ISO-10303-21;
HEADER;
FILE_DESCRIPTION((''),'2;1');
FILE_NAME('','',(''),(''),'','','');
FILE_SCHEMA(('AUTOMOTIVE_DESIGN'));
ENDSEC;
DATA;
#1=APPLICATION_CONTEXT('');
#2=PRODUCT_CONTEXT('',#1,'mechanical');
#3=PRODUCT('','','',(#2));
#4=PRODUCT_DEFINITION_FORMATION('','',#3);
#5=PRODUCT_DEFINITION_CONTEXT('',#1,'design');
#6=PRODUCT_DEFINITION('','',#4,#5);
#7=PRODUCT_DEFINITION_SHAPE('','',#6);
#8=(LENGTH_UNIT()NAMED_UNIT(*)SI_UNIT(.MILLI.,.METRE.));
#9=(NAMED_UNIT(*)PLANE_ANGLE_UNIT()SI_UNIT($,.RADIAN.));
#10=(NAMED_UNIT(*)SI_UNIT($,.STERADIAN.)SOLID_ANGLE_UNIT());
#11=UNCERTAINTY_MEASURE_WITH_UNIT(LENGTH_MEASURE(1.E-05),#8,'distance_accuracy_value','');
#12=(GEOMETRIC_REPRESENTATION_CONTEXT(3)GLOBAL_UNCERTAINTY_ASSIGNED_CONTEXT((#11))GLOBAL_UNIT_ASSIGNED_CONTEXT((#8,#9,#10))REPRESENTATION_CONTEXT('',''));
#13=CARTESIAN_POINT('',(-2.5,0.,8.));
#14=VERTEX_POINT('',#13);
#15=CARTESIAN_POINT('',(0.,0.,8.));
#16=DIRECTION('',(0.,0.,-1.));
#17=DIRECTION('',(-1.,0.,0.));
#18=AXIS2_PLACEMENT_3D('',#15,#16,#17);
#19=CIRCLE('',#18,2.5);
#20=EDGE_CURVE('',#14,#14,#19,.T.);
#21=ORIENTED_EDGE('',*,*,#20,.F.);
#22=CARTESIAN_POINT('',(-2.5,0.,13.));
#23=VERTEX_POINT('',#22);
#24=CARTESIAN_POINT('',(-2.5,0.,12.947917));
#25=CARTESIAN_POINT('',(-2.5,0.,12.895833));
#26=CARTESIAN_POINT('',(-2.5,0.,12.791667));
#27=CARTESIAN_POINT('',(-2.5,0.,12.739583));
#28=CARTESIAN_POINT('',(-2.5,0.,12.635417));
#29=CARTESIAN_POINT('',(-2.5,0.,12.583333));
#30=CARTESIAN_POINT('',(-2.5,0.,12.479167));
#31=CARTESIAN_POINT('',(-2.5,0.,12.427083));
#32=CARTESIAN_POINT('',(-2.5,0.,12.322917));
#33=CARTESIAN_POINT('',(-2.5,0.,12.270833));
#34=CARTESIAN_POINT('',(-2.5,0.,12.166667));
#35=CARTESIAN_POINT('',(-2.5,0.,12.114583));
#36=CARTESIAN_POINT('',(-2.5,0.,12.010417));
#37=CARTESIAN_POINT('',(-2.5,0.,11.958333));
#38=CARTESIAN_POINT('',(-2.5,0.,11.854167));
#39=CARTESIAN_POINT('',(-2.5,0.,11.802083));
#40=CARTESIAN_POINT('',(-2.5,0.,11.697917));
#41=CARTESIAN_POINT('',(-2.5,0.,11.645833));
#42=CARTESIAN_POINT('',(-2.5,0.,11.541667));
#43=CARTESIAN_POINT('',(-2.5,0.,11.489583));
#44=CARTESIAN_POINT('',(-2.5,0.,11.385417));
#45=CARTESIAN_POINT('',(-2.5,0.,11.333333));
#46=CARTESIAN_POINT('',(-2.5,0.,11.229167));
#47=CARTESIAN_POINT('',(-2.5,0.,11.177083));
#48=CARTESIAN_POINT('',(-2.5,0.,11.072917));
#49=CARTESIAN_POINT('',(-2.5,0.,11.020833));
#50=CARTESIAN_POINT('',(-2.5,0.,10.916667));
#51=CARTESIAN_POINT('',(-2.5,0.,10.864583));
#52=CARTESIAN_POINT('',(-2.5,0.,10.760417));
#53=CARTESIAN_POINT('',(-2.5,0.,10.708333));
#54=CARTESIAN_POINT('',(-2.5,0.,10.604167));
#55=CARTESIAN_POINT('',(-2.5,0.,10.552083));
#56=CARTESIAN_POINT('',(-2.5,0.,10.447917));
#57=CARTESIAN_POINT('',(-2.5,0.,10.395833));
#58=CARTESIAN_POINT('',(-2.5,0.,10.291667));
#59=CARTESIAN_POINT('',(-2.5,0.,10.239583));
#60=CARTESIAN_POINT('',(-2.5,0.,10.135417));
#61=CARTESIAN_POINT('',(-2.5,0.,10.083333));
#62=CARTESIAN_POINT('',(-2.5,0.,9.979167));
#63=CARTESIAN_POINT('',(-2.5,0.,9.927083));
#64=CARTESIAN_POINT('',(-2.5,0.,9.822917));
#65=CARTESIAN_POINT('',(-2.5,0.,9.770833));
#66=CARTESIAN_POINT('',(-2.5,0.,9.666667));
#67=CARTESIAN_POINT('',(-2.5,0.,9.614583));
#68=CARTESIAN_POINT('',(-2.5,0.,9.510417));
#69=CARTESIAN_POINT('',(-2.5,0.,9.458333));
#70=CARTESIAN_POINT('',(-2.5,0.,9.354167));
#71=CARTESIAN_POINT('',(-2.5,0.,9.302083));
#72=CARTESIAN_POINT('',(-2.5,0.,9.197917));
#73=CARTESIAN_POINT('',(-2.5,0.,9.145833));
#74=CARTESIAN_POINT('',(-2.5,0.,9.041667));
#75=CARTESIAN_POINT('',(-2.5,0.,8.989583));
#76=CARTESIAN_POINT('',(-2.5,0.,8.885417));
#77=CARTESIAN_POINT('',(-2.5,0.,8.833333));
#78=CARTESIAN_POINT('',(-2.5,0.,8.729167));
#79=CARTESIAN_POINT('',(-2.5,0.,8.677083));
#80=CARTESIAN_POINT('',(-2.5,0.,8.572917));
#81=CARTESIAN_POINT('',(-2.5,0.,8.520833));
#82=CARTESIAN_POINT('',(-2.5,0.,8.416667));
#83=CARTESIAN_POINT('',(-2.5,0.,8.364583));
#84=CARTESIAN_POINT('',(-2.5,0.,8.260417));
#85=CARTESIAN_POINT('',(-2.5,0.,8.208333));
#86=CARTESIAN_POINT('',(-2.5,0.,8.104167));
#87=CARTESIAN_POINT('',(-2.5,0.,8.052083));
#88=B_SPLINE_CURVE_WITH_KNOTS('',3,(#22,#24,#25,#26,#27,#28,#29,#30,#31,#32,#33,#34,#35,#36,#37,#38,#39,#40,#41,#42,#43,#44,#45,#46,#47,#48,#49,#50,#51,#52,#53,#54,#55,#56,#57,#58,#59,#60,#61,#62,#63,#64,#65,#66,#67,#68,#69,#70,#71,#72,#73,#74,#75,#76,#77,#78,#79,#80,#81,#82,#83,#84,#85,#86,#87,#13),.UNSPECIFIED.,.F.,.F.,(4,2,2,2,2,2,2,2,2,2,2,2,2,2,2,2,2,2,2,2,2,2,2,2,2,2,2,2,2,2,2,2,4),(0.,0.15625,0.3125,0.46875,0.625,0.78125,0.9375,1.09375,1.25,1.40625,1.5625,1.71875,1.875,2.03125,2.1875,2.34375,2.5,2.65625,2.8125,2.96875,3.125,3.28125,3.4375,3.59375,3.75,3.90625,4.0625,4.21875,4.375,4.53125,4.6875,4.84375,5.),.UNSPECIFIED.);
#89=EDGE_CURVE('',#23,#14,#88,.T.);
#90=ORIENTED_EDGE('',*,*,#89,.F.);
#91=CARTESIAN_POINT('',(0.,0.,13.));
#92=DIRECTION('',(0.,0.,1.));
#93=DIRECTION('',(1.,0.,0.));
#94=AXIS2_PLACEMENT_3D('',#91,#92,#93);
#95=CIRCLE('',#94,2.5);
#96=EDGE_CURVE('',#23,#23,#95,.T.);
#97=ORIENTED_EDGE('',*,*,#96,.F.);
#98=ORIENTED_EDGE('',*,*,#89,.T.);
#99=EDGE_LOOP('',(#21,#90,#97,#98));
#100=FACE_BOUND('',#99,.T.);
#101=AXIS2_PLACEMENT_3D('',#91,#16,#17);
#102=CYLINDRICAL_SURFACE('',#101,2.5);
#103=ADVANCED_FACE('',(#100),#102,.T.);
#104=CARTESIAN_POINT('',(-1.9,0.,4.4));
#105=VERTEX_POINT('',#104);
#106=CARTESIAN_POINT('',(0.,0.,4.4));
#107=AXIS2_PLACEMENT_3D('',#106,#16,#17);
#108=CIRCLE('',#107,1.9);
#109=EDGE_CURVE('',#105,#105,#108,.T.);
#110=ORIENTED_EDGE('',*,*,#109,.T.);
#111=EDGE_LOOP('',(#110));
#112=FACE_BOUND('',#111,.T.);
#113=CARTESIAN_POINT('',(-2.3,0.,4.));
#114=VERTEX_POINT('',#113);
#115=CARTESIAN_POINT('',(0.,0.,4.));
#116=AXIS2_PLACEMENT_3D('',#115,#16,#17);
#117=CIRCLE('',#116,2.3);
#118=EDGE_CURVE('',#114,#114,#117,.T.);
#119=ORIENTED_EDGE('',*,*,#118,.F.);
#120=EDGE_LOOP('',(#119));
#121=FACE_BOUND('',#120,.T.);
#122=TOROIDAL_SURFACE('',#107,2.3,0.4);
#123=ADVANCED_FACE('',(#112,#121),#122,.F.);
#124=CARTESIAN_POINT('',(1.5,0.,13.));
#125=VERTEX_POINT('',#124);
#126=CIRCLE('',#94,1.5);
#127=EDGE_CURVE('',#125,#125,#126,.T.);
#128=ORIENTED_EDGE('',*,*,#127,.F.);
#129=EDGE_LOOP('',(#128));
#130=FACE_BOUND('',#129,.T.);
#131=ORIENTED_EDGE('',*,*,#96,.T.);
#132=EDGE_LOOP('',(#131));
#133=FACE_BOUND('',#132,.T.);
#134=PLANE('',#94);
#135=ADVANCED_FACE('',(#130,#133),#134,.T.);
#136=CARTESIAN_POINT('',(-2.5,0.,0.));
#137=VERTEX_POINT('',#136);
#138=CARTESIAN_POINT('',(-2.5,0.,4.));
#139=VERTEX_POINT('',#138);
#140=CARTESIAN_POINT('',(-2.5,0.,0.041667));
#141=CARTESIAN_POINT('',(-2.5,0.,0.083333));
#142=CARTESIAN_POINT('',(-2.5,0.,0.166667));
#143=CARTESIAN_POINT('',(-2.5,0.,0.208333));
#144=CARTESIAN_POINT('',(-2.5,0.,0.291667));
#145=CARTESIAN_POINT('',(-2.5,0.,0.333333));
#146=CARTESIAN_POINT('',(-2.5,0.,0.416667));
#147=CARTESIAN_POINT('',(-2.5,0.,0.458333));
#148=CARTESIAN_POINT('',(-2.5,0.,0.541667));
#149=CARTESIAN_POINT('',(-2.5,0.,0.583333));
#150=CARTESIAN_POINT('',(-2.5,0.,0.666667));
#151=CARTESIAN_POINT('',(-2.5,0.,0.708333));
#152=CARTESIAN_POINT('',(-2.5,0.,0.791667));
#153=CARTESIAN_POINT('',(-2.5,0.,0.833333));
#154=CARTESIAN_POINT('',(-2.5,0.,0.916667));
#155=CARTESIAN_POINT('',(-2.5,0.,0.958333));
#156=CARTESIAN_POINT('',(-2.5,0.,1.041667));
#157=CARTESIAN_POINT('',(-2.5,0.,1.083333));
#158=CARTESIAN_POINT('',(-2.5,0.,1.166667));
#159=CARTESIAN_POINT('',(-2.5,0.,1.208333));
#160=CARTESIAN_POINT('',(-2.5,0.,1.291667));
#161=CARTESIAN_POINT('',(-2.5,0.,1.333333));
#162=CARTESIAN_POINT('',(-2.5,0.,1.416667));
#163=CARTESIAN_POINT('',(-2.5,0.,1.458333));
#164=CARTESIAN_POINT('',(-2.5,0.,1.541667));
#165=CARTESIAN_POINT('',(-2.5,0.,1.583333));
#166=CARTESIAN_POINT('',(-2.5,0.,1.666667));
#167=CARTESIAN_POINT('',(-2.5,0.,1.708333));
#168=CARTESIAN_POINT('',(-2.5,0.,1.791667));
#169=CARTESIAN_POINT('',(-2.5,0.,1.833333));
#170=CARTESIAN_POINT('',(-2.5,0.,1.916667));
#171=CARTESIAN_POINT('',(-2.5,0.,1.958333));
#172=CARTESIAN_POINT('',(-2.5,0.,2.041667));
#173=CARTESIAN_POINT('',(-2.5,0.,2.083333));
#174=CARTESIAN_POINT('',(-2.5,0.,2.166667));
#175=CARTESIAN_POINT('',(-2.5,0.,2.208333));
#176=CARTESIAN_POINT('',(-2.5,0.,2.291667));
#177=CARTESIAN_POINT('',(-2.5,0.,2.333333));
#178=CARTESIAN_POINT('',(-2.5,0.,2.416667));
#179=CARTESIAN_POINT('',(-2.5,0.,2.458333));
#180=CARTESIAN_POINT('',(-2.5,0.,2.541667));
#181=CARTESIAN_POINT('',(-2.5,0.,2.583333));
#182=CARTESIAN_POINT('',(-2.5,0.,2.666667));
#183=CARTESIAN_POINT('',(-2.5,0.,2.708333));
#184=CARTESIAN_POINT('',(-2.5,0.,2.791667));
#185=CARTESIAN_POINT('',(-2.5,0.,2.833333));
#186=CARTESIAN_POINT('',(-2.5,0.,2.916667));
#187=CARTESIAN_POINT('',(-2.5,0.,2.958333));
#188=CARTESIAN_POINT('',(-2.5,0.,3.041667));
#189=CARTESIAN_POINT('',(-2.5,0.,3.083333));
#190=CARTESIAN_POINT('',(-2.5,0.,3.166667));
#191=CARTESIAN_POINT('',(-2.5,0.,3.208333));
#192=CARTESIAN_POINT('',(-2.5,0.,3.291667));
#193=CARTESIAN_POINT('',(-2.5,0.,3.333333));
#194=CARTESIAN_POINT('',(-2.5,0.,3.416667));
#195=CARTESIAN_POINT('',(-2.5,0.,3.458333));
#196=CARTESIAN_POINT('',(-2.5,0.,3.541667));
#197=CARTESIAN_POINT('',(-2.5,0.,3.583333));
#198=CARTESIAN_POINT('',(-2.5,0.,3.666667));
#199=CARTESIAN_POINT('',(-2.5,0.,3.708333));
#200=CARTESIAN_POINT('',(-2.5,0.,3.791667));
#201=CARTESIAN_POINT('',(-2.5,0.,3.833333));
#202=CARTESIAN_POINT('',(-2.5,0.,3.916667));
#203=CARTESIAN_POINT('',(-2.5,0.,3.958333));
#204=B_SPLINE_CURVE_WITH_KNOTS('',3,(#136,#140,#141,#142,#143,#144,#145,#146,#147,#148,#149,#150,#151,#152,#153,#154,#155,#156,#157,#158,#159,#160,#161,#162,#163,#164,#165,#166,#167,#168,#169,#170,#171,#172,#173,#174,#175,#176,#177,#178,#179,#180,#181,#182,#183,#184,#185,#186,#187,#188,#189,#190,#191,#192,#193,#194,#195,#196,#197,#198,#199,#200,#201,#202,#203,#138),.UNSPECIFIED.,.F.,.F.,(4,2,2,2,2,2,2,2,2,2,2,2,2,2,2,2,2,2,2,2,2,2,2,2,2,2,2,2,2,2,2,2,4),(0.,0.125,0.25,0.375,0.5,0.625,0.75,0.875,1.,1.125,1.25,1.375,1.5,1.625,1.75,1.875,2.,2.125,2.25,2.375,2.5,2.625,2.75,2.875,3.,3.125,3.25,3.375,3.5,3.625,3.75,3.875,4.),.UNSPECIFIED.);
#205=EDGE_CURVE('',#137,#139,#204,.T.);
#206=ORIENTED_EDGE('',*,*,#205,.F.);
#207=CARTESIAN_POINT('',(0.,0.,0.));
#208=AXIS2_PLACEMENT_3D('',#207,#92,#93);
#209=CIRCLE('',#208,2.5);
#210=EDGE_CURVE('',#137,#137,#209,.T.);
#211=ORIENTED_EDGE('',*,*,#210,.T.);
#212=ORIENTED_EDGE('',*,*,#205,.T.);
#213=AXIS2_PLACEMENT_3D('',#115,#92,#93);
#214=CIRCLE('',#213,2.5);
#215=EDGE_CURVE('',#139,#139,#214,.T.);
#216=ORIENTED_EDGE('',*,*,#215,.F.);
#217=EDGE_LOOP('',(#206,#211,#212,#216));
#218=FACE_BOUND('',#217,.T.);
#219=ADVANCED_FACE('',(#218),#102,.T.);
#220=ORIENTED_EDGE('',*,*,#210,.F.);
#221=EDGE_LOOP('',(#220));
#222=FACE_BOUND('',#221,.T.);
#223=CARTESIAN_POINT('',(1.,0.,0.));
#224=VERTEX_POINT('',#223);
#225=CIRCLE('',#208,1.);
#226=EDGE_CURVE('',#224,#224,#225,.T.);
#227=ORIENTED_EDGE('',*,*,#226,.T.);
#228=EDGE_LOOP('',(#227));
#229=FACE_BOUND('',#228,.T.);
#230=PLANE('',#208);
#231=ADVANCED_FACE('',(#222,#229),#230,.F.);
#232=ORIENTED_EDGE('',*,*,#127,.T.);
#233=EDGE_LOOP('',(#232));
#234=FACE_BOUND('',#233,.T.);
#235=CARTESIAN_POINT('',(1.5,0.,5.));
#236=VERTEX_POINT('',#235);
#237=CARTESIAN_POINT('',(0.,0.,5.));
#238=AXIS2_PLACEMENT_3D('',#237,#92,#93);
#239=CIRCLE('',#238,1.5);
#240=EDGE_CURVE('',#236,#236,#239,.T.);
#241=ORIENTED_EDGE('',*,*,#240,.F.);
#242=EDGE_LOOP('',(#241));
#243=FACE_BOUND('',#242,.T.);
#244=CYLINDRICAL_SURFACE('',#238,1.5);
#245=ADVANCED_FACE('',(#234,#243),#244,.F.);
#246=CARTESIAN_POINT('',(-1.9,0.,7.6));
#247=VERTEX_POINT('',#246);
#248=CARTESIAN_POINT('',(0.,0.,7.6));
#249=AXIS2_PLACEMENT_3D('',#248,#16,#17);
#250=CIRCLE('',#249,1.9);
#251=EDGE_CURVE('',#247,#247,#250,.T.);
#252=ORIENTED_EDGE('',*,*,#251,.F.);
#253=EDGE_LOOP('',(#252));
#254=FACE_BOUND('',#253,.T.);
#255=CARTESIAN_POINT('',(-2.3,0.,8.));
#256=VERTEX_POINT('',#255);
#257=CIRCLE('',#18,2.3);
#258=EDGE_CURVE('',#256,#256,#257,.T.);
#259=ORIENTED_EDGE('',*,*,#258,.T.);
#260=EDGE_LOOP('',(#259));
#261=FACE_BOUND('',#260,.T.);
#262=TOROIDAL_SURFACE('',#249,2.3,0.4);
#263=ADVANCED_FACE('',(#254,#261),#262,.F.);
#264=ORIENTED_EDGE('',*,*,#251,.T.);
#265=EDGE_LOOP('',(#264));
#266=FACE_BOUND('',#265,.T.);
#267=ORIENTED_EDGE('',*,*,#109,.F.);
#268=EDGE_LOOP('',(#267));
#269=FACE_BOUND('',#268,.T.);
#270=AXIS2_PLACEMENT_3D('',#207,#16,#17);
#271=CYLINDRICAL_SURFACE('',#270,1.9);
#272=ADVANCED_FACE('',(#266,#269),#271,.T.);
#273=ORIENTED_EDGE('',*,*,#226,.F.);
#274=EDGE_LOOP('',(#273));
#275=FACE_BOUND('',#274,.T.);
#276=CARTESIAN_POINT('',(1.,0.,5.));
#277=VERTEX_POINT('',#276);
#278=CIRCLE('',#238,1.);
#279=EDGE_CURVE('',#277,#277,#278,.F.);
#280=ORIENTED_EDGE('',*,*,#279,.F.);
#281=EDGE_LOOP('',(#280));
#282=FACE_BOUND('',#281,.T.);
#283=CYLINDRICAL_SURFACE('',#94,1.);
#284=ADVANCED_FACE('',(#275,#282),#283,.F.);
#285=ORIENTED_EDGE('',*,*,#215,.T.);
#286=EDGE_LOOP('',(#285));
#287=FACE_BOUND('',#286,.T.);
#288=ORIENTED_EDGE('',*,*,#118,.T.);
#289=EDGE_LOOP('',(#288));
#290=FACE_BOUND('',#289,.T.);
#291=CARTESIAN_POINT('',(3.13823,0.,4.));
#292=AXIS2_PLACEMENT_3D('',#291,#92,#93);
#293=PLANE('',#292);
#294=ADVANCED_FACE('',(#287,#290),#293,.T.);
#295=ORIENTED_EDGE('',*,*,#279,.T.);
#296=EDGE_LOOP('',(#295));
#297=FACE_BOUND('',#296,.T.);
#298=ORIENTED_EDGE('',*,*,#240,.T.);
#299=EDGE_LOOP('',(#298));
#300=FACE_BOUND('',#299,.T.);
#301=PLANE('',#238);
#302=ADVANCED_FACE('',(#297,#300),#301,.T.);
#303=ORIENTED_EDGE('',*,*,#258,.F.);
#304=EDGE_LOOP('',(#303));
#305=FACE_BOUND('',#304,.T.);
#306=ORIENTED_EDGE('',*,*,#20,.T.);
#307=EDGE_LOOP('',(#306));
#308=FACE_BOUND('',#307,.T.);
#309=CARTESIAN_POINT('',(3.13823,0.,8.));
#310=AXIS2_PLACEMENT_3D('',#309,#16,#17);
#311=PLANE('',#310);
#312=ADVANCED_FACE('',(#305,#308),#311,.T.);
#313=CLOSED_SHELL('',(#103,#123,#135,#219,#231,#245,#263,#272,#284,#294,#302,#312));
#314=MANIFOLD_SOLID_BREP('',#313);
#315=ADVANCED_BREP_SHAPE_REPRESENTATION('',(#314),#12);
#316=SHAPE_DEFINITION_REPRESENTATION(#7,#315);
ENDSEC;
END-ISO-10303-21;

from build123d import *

# Parameters (mm, degrees)
SKETCH1_R                = 2.5
BOSS_EXTRUDE1_DEPTH      = 13
F_2_0_2_DIAMETER_HOLE1_D = 2
SKETCH8_R                = 1.5
CUT_EXTRUDE1_DEPTH       = 8


with BuildPart() as part:
    # Sketch1 → Boss-Extrude1 (new body)
    with BuildSketch(Plane.XY):
        with Locations(Location((0, 0, 0), (0, 0, 180))):
            Circle(SKETCH1_R)
    extrude(amount=BOSS_EXTRUDE1_DEPTH)

    # Sketch3 → Cut-Revolve1 (revolve, cut)
    with BuildSketch(Plane(origin=(0, 0, 0), x_dir=(1, 0, 0), z_dir=(0, 1, 0)), mode=Mode.PRIVATE) as cut_revolve1_sk:
        with BuildLine():
            Line((3.138230266, -4), (2.3, -4))
            ThreePointArc((2.3, -4), (2.017157288, -4.117157288), (1.9, -4.4))
            Line((1.9, -4.4), (1.9, -7.6))
            ThreePointArc((1.9, -7.6), (2.017157288, -7.882842712), (2.3, -8))
            Line((2.3, -8), (3.138230266, -8))
            Line((3.138230266, -8), (3.138230266, -4))
        make_face()
    revolve(cut_revolve1_sk.sketch.rotate(Axis((0, 0, 0), (0, 0, 1)), 180), axis=Axis((0, 0, 0), (0, 0, 1)), mode=Mode.SUBTRACT)

    # Ø2.0 (2) Diameter Hole1 (through all)
    with Locations(Plane.XY.offset(13)):
        with Locations((0, 0)):
            Hole(F_2_0_2_DIAMETER_HOLE1_D / 2)

    # Sketch8 → Cut-Extrude1 (cut)
    with BuildSketch(Plane.XY.offset(13)):
        Circle(SKETCH8_R)
    extrude(amount=-CUT_EXTRUDE1_DEPTH, mode=Mode.SUBTRACT)


solid = part.part
